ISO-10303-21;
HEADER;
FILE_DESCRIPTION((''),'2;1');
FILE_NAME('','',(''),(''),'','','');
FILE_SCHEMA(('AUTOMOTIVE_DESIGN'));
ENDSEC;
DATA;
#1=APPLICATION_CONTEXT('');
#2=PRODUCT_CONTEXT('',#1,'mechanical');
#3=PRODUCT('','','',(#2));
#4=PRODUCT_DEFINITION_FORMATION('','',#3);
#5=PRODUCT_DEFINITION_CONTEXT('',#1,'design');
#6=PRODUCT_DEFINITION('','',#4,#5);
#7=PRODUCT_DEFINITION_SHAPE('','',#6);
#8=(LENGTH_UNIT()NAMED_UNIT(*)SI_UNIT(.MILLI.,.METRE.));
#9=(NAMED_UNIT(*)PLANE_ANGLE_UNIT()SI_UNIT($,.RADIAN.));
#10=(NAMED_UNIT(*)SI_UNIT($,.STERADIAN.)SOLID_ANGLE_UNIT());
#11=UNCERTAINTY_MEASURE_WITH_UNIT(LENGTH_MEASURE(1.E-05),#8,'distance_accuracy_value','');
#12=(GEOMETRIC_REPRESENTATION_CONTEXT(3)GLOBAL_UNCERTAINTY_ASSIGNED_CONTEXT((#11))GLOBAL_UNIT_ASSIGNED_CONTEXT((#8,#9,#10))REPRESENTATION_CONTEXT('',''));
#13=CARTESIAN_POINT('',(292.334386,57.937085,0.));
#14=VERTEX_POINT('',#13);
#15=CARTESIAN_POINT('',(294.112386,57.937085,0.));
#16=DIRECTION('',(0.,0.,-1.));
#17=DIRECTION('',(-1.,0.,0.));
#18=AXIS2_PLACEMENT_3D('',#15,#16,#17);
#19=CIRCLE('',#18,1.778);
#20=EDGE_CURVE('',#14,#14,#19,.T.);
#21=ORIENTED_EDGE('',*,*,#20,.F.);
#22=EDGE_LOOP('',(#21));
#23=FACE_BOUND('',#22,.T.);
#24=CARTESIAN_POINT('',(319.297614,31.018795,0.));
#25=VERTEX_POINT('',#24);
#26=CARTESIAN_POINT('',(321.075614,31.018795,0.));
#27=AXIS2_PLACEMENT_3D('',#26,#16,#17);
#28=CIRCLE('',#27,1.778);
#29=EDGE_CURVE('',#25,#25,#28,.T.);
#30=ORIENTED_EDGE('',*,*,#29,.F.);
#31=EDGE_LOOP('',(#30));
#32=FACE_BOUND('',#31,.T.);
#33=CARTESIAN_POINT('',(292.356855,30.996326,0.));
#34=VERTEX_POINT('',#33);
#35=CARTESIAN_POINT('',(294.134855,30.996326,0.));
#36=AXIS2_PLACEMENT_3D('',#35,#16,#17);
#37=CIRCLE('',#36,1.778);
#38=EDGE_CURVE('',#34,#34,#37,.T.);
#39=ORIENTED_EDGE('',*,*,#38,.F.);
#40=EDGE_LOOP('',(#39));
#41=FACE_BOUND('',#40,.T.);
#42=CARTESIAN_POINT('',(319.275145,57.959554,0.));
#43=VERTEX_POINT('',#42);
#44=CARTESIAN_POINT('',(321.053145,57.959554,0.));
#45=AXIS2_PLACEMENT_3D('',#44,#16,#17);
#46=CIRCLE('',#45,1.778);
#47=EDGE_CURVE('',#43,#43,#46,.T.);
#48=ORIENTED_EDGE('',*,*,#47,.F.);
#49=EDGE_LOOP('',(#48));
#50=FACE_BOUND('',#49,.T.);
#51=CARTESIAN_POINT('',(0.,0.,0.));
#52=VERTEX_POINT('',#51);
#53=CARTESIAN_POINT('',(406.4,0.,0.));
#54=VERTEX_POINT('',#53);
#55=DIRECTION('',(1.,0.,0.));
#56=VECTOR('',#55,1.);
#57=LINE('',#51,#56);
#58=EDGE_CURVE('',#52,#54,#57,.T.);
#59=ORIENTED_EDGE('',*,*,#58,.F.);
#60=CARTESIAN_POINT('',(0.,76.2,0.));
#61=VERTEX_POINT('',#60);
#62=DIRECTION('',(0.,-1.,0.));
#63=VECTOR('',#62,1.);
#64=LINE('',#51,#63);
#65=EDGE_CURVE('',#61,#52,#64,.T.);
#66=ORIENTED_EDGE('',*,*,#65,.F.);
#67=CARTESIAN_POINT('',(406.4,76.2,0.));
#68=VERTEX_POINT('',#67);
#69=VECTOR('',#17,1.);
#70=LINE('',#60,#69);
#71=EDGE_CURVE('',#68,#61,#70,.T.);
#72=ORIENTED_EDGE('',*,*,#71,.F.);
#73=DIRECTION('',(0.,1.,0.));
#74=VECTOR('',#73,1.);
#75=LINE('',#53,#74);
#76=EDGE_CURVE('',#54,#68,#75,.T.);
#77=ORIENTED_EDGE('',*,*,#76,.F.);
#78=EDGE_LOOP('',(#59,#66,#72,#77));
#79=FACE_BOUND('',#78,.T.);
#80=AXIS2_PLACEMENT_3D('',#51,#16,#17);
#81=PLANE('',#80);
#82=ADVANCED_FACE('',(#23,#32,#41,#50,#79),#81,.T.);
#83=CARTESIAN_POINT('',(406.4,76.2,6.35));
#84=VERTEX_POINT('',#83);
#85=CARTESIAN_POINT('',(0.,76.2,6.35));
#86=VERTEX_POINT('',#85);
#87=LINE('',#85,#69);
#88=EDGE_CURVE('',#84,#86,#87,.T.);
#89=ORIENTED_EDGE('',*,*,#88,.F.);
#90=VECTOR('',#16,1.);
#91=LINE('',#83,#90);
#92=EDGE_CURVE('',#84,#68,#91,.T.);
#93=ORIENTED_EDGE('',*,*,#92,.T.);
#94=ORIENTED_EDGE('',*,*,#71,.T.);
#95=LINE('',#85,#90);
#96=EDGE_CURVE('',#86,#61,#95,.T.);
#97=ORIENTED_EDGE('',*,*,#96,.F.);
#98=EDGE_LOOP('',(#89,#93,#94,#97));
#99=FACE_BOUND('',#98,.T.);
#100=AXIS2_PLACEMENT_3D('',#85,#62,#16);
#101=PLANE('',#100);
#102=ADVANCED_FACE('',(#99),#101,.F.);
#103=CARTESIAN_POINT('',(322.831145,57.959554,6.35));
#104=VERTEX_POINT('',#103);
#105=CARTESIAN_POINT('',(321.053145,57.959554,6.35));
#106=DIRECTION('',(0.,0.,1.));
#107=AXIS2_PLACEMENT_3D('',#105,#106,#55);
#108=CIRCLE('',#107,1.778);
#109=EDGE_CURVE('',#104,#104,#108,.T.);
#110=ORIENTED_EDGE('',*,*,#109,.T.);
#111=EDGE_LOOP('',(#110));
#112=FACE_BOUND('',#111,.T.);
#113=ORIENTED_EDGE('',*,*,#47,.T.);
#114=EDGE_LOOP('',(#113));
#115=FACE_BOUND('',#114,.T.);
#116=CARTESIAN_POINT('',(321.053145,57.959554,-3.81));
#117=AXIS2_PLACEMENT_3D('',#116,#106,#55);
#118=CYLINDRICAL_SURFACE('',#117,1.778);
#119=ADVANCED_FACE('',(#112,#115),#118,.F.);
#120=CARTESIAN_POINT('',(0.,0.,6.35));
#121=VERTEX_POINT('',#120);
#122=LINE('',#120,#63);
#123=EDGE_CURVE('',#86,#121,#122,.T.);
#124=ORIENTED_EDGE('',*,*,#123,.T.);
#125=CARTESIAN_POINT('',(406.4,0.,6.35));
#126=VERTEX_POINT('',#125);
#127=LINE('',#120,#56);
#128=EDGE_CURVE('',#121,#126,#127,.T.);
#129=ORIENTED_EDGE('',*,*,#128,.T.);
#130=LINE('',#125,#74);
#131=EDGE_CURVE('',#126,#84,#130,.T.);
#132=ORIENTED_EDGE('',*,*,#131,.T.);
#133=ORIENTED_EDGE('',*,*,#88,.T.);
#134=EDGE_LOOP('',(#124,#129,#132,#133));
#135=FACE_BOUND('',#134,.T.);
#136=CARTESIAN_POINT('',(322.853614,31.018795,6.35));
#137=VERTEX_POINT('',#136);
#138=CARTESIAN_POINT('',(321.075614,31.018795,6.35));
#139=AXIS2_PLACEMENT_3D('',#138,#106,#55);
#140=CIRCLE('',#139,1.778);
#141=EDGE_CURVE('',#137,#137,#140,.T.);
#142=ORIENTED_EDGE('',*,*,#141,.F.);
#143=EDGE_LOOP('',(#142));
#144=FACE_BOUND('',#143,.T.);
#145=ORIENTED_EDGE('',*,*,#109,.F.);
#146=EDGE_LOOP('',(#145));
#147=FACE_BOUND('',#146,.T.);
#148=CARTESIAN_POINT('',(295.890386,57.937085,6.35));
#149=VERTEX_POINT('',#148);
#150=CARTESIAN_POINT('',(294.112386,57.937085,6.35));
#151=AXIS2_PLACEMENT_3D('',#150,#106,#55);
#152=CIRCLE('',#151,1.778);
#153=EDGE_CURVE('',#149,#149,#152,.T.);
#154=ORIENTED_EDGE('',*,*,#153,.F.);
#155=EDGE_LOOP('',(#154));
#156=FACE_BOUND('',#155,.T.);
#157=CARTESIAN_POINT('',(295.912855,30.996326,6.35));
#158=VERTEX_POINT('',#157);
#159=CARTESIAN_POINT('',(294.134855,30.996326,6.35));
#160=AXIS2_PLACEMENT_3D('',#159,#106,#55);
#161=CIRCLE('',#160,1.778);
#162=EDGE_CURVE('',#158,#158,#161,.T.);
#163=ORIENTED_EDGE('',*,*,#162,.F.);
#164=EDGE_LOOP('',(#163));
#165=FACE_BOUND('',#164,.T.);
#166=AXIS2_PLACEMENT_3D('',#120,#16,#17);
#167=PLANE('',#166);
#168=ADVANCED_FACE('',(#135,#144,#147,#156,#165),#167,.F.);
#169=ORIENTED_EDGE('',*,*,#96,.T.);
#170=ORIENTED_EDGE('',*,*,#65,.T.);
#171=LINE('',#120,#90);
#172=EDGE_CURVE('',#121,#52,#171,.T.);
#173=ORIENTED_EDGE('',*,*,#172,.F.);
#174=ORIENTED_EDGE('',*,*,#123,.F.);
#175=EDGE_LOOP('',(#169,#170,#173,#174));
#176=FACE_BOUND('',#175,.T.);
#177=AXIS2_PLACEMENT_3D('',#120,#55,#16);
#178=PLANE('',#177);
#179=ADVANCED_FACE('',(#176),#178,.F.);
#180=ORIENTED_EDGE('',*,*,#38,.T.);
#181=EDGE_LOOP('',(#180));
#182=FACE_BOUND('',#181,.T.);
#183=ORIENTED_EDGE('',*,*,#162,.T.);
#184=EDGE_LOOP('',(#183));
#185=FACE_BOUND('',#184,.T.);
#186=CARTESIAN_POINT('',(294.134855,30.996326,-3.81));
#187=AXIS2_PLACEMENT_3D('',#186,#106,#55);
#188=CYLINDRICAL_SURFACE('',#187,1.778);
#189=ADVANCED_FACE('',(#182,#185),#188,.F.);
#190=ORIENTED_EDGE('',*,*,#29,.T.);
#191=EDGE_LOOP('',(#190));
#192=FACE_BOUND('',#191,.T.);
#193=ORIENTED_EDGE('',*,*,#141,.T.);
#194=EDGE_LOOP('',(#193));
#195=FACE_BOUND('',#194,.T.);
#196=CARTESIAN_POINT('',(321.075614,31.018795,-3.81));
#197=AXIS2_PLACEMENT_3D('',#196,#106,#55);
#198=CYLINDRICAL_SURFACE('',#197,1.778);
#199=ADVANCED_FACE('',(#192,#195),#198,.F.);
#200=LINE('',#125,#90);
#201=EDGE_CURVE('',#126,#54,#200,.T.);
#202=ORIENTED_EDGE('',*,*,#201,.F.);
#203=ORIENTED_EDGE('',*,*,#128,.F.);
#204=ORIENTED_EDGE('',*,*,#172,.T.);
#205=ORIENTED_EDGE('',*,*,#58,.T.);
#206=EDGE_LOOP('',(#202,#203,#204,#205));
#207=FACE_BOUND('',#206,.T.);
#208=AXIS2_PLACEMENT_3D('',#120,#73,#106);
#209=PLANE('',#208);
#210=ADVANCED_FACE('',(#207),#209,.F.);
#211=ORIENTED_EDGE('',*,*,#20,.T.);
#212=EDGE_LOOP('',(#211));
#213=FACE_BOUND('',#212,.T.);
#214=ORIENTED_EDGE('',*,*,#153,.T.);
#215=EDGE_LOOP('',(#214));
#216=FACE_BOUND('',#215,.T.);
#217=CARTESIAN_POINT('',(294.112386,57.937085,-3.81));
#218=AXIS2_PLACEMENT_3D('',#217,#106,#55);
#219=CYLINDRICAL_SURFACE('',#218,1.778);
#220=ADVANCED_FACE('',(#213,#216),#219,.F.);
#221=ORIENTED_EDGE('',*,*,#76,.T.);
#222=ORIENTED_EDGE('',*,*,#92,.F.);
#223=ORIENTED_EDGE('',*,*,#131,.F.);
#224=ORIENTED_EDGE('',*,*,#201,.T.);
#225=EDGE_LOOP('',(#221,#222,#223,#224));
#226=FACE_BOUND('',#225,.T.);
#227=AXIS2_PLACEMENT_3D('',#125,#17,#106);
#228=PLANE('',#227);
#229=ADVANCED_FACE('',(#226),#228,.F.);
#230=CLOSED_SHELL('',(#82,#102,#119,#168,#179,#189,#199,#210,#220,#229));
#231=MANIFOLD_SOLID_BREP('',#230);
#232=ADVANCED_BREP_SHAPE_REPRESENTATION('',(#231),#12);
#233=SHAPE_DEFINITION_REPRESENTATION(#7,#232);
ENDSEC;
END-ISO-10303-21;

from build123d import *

# Parameters (mm, degrees)
SKETCH1_W           = 406.4
SKETCH1_H           = 76.2
BOSS_EXTRUDE1_DEPTH = 6.35
SKETCH2_R           = 1.778
CUT_EXTRUDE1_DEPTH  = 10.16


with BuildPart() as part:
    # Sketch1 → Boss-Extrude1 (new body)
    with BuildSketch(Plane.XY):
        with Locations((203.2, 38.1)):
            Rectangle(SKETCH1_W, SKETCH1_H)
    extrude(amount=BOSS_EXTRUDE1_DEPTH)

    # Sketch2 → Cut-Extrude1 (cut)
    with BuildSketch(Plane.XY.offset(6.35)):
        with Locations((294.112385825, 57.937084818)):
            Circle(SKETCH2_R)
        with Locations((321.053144818, 57.959554175)):
            Circle(SKETCH2_R)
        with Locations((321.075614175, 31.018795182)):
            Circle(SKETCH2_R)
        with Locations((294.134855182, 30.996325825)):
            Circle(SKETCH2_R)
    extrude(amount=-CUT_EXTRUDE1_DEPTH, mode=Mode.SUBTRACT)


solid = part.part
